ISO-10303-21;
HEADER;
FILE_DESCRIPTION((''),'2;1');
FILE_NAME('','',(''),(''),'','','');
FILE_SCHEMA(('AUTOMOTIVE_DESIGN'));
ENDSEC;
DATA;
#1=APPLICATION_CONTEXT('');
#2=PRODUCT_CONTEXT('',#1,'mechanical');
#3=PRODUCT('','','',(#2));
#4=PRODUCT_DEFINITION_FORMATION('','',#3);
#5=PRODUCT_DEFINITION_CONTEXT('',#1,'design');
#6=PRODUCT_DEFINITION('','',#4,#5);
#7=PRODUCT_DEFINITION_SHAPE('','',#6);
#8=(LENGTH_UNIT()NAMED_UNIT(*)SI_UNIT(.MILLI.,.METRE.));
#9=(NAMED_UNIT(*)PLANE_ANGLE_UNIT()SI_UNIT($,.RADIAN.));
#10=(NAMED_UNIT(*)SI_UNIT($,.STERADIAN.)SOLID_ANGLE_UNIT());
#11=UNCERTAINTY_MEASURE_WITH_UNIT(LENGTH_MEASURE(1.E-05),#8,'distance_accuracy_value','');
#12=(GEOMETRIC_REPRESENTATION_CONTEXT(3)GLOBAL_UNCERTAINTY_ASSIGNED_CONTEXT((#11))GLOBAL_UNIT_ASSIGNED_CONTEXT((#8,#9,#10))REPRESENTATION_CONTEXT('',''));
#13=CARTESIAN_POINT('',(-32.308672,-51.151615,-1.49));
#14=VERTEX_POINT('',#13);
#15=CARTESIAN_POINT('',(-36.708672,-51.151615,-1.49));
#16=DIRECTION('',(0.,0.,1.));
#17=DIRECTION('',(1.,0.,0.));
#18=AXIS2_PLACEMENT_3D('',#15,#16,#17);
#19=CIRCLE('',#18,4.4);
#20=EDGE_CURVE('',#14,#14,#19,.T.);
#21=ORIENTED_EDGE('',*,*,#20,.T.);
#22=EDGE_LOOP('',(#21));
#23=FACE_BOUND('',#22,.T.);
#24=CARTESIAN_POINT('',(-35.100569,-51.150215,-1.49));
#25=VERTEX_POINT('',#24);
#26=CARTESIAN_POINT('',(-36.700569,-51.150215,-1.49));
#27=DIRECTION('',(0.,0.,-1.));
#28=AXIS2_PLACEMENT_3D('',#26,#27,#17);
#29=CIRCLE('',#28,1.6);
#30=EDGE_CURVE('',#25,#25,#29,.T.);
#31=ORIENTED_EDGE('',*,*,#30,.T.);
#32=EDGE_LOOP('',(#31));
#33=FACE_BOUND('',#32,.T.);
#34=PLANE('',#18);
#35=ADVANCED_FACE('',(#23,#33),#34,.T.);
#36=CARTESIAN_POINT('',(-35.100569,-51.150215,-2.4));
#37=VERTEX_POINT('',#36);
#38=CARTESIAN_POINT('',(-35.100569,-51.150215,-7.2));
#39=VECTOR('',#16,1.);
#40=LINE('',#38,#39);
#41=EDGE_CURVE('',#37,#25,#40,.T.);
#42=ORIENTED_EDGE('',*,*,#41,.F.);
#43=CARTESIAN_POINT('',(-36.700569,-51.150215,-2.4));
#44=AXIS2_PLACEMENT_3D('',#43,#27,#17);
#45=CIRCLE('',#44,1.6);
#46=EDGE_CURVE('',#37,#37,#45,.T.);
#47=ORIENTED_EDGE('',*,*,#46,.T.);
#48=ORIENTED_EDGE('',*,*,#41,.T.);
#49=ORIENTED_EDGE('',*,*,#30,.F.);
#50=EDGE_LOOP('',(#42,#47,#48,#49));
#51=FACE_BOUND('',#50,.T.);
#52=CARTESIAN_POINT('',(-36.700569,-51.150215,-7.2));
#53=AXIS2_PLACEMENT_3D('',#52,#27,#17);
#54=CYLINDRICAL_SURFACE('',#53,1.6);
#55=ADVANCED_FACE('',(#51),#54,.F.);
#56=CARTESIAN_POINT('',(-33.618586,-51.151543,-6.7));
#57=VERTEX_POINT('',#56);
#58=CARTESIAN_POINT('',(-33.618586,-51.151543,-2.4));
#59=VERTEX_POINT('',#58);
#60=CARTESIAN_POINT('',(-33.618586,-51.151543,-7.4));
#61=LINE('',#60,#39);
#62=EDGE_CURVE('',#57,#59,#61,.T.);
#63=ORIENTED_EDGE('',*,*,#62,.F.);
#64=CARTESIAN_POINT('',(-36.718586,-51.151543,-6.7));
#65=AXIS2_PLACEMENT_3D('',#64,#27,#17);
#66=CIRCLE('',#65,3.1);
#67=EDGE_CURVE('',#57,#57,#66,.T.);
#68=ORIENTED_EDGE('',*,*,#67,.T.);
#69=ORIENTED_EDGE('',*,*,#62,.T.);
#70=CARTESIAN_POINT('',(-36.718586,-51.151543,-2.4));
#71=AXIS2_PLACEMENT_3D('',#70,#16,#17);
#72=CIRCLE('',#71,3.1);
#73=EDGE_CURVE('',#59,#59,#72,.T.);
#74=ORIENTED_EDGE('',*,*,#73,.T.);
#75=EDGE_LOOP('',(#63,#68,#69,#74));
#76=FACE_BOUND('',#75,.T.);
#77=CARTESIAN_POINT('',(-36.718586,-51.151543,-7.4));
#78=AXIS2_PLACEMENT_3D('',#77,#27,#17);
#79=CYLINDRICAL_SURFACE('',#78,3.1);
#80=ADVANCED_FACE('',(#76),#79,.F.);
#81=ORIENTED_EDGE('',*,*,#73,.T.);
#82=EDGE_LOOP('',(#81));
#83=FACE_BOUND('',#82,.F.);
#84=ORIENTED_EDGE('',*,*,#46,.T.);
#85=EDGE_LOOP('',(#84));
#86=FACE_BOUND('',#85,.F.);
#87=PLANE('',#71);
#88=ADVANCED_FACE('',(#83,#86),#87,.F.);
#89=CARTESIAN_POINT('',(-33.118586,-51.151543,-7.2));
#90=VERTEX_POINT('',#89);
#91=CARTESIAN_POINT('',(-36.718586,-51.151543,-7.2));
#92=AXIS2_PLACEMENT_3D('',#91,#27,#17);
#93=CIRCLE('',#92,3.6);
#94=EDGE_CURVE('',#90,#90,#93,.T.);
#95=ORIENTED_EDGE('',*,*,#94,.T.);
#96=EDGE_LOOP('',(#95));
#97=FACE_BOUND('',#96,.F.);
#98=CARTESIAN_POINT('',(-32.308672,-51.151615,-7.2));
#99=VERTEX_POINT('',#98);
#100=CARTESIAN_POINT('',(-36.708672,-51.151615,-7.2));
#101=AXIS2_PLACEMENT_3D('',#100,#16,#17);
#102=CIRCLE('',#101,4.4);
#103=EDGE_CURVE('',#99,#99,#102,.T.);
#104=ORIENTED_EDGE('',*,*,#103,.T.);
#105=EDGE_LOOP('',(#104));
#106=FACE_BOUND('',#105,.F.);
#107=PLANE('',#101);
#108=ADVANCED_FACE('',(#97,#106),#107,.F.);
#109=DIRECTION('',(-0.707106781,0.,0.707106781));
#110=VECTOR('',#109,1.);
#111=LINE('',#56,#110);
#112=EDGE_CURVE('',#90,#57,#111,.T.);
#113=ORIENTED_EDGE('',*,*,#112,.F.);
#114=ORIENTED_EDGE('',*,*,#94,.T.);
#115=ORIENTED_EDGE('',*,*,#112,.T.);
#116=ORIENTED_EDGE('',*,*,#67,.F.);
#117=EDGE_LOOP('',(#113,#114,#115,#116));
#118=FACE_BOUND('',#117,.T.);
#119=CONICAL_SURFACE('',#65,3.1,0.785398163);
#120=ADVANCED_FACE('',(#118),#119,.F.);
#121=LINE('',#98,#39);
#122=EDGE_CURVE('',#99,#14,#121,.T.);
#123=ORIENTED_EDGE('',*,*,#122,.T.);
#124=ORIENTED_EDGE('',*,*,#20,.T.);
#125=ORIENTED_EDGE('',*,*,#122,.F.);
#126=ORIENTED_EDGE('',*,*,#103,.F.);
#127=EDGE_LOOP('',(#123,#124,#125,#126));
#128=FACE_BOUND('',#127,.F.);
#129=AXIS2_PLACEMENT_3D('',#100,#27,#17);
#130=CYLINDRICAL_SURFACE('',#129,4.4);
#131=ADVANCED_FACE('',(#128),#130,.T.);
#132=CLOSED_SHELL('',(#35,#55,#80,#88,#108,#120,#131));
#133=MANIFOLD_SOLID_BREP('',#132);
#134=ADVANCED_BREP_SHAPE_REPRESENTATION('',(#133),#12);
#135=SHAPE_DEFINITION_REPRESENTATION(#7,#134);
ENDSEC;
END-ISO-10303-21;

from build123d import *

# Parameters (mm, degrees)
SKETCH016_R     = 4.4
PAD004_DEPTH    = 5.71
SKETCH017_R     = 3.1
POCKET008_DEPTH = 5
SKETCH018_R     = 1.6
POCKET009_DEPTH = 7.2
CHAMFER004_SIZE = 0.5


with BuildPart() as part:
    # Sketch016 → Pad004 (new body)
    with BuildSketch(Plane.XY.offset(-7.2)):
        with Locations((-36.708672, -51.151615)):
            Circle(SKETCH016_R)
    extrude(amount=PAD004_DEPTH)

    # Sketch017 → Pocket008 (cut)
    with BuildSketch(Plane.XY.offset(-7.4)):
        with Locations((-36.718586, -51.151543)):
            Circle(SKETCH017_R)
    extrude(amount=POCKET008_DEPTH, mode=Mode.SUBTRACT)

    # Sketch018 → Pocket009 (cut)
    with BuildSketch(Plane.XY.offset(-7.2)):
        with Locations((-36.700569, -51.150215)):
            Circle(SKETCH018_R)
    extrude(amount=POCKET009_DEPTH, mode=Mode.SUBTRACT)

    # Chamfer004
    chamfer004_edges = [part.edges().sort_by_distance(p)[0] for p in [
        (-39.818586, -51.151543, -7.2),
    ]]
    chamfer(chamfer004_edges, length=CHAMFER004_SIZE)


solid = part.part
